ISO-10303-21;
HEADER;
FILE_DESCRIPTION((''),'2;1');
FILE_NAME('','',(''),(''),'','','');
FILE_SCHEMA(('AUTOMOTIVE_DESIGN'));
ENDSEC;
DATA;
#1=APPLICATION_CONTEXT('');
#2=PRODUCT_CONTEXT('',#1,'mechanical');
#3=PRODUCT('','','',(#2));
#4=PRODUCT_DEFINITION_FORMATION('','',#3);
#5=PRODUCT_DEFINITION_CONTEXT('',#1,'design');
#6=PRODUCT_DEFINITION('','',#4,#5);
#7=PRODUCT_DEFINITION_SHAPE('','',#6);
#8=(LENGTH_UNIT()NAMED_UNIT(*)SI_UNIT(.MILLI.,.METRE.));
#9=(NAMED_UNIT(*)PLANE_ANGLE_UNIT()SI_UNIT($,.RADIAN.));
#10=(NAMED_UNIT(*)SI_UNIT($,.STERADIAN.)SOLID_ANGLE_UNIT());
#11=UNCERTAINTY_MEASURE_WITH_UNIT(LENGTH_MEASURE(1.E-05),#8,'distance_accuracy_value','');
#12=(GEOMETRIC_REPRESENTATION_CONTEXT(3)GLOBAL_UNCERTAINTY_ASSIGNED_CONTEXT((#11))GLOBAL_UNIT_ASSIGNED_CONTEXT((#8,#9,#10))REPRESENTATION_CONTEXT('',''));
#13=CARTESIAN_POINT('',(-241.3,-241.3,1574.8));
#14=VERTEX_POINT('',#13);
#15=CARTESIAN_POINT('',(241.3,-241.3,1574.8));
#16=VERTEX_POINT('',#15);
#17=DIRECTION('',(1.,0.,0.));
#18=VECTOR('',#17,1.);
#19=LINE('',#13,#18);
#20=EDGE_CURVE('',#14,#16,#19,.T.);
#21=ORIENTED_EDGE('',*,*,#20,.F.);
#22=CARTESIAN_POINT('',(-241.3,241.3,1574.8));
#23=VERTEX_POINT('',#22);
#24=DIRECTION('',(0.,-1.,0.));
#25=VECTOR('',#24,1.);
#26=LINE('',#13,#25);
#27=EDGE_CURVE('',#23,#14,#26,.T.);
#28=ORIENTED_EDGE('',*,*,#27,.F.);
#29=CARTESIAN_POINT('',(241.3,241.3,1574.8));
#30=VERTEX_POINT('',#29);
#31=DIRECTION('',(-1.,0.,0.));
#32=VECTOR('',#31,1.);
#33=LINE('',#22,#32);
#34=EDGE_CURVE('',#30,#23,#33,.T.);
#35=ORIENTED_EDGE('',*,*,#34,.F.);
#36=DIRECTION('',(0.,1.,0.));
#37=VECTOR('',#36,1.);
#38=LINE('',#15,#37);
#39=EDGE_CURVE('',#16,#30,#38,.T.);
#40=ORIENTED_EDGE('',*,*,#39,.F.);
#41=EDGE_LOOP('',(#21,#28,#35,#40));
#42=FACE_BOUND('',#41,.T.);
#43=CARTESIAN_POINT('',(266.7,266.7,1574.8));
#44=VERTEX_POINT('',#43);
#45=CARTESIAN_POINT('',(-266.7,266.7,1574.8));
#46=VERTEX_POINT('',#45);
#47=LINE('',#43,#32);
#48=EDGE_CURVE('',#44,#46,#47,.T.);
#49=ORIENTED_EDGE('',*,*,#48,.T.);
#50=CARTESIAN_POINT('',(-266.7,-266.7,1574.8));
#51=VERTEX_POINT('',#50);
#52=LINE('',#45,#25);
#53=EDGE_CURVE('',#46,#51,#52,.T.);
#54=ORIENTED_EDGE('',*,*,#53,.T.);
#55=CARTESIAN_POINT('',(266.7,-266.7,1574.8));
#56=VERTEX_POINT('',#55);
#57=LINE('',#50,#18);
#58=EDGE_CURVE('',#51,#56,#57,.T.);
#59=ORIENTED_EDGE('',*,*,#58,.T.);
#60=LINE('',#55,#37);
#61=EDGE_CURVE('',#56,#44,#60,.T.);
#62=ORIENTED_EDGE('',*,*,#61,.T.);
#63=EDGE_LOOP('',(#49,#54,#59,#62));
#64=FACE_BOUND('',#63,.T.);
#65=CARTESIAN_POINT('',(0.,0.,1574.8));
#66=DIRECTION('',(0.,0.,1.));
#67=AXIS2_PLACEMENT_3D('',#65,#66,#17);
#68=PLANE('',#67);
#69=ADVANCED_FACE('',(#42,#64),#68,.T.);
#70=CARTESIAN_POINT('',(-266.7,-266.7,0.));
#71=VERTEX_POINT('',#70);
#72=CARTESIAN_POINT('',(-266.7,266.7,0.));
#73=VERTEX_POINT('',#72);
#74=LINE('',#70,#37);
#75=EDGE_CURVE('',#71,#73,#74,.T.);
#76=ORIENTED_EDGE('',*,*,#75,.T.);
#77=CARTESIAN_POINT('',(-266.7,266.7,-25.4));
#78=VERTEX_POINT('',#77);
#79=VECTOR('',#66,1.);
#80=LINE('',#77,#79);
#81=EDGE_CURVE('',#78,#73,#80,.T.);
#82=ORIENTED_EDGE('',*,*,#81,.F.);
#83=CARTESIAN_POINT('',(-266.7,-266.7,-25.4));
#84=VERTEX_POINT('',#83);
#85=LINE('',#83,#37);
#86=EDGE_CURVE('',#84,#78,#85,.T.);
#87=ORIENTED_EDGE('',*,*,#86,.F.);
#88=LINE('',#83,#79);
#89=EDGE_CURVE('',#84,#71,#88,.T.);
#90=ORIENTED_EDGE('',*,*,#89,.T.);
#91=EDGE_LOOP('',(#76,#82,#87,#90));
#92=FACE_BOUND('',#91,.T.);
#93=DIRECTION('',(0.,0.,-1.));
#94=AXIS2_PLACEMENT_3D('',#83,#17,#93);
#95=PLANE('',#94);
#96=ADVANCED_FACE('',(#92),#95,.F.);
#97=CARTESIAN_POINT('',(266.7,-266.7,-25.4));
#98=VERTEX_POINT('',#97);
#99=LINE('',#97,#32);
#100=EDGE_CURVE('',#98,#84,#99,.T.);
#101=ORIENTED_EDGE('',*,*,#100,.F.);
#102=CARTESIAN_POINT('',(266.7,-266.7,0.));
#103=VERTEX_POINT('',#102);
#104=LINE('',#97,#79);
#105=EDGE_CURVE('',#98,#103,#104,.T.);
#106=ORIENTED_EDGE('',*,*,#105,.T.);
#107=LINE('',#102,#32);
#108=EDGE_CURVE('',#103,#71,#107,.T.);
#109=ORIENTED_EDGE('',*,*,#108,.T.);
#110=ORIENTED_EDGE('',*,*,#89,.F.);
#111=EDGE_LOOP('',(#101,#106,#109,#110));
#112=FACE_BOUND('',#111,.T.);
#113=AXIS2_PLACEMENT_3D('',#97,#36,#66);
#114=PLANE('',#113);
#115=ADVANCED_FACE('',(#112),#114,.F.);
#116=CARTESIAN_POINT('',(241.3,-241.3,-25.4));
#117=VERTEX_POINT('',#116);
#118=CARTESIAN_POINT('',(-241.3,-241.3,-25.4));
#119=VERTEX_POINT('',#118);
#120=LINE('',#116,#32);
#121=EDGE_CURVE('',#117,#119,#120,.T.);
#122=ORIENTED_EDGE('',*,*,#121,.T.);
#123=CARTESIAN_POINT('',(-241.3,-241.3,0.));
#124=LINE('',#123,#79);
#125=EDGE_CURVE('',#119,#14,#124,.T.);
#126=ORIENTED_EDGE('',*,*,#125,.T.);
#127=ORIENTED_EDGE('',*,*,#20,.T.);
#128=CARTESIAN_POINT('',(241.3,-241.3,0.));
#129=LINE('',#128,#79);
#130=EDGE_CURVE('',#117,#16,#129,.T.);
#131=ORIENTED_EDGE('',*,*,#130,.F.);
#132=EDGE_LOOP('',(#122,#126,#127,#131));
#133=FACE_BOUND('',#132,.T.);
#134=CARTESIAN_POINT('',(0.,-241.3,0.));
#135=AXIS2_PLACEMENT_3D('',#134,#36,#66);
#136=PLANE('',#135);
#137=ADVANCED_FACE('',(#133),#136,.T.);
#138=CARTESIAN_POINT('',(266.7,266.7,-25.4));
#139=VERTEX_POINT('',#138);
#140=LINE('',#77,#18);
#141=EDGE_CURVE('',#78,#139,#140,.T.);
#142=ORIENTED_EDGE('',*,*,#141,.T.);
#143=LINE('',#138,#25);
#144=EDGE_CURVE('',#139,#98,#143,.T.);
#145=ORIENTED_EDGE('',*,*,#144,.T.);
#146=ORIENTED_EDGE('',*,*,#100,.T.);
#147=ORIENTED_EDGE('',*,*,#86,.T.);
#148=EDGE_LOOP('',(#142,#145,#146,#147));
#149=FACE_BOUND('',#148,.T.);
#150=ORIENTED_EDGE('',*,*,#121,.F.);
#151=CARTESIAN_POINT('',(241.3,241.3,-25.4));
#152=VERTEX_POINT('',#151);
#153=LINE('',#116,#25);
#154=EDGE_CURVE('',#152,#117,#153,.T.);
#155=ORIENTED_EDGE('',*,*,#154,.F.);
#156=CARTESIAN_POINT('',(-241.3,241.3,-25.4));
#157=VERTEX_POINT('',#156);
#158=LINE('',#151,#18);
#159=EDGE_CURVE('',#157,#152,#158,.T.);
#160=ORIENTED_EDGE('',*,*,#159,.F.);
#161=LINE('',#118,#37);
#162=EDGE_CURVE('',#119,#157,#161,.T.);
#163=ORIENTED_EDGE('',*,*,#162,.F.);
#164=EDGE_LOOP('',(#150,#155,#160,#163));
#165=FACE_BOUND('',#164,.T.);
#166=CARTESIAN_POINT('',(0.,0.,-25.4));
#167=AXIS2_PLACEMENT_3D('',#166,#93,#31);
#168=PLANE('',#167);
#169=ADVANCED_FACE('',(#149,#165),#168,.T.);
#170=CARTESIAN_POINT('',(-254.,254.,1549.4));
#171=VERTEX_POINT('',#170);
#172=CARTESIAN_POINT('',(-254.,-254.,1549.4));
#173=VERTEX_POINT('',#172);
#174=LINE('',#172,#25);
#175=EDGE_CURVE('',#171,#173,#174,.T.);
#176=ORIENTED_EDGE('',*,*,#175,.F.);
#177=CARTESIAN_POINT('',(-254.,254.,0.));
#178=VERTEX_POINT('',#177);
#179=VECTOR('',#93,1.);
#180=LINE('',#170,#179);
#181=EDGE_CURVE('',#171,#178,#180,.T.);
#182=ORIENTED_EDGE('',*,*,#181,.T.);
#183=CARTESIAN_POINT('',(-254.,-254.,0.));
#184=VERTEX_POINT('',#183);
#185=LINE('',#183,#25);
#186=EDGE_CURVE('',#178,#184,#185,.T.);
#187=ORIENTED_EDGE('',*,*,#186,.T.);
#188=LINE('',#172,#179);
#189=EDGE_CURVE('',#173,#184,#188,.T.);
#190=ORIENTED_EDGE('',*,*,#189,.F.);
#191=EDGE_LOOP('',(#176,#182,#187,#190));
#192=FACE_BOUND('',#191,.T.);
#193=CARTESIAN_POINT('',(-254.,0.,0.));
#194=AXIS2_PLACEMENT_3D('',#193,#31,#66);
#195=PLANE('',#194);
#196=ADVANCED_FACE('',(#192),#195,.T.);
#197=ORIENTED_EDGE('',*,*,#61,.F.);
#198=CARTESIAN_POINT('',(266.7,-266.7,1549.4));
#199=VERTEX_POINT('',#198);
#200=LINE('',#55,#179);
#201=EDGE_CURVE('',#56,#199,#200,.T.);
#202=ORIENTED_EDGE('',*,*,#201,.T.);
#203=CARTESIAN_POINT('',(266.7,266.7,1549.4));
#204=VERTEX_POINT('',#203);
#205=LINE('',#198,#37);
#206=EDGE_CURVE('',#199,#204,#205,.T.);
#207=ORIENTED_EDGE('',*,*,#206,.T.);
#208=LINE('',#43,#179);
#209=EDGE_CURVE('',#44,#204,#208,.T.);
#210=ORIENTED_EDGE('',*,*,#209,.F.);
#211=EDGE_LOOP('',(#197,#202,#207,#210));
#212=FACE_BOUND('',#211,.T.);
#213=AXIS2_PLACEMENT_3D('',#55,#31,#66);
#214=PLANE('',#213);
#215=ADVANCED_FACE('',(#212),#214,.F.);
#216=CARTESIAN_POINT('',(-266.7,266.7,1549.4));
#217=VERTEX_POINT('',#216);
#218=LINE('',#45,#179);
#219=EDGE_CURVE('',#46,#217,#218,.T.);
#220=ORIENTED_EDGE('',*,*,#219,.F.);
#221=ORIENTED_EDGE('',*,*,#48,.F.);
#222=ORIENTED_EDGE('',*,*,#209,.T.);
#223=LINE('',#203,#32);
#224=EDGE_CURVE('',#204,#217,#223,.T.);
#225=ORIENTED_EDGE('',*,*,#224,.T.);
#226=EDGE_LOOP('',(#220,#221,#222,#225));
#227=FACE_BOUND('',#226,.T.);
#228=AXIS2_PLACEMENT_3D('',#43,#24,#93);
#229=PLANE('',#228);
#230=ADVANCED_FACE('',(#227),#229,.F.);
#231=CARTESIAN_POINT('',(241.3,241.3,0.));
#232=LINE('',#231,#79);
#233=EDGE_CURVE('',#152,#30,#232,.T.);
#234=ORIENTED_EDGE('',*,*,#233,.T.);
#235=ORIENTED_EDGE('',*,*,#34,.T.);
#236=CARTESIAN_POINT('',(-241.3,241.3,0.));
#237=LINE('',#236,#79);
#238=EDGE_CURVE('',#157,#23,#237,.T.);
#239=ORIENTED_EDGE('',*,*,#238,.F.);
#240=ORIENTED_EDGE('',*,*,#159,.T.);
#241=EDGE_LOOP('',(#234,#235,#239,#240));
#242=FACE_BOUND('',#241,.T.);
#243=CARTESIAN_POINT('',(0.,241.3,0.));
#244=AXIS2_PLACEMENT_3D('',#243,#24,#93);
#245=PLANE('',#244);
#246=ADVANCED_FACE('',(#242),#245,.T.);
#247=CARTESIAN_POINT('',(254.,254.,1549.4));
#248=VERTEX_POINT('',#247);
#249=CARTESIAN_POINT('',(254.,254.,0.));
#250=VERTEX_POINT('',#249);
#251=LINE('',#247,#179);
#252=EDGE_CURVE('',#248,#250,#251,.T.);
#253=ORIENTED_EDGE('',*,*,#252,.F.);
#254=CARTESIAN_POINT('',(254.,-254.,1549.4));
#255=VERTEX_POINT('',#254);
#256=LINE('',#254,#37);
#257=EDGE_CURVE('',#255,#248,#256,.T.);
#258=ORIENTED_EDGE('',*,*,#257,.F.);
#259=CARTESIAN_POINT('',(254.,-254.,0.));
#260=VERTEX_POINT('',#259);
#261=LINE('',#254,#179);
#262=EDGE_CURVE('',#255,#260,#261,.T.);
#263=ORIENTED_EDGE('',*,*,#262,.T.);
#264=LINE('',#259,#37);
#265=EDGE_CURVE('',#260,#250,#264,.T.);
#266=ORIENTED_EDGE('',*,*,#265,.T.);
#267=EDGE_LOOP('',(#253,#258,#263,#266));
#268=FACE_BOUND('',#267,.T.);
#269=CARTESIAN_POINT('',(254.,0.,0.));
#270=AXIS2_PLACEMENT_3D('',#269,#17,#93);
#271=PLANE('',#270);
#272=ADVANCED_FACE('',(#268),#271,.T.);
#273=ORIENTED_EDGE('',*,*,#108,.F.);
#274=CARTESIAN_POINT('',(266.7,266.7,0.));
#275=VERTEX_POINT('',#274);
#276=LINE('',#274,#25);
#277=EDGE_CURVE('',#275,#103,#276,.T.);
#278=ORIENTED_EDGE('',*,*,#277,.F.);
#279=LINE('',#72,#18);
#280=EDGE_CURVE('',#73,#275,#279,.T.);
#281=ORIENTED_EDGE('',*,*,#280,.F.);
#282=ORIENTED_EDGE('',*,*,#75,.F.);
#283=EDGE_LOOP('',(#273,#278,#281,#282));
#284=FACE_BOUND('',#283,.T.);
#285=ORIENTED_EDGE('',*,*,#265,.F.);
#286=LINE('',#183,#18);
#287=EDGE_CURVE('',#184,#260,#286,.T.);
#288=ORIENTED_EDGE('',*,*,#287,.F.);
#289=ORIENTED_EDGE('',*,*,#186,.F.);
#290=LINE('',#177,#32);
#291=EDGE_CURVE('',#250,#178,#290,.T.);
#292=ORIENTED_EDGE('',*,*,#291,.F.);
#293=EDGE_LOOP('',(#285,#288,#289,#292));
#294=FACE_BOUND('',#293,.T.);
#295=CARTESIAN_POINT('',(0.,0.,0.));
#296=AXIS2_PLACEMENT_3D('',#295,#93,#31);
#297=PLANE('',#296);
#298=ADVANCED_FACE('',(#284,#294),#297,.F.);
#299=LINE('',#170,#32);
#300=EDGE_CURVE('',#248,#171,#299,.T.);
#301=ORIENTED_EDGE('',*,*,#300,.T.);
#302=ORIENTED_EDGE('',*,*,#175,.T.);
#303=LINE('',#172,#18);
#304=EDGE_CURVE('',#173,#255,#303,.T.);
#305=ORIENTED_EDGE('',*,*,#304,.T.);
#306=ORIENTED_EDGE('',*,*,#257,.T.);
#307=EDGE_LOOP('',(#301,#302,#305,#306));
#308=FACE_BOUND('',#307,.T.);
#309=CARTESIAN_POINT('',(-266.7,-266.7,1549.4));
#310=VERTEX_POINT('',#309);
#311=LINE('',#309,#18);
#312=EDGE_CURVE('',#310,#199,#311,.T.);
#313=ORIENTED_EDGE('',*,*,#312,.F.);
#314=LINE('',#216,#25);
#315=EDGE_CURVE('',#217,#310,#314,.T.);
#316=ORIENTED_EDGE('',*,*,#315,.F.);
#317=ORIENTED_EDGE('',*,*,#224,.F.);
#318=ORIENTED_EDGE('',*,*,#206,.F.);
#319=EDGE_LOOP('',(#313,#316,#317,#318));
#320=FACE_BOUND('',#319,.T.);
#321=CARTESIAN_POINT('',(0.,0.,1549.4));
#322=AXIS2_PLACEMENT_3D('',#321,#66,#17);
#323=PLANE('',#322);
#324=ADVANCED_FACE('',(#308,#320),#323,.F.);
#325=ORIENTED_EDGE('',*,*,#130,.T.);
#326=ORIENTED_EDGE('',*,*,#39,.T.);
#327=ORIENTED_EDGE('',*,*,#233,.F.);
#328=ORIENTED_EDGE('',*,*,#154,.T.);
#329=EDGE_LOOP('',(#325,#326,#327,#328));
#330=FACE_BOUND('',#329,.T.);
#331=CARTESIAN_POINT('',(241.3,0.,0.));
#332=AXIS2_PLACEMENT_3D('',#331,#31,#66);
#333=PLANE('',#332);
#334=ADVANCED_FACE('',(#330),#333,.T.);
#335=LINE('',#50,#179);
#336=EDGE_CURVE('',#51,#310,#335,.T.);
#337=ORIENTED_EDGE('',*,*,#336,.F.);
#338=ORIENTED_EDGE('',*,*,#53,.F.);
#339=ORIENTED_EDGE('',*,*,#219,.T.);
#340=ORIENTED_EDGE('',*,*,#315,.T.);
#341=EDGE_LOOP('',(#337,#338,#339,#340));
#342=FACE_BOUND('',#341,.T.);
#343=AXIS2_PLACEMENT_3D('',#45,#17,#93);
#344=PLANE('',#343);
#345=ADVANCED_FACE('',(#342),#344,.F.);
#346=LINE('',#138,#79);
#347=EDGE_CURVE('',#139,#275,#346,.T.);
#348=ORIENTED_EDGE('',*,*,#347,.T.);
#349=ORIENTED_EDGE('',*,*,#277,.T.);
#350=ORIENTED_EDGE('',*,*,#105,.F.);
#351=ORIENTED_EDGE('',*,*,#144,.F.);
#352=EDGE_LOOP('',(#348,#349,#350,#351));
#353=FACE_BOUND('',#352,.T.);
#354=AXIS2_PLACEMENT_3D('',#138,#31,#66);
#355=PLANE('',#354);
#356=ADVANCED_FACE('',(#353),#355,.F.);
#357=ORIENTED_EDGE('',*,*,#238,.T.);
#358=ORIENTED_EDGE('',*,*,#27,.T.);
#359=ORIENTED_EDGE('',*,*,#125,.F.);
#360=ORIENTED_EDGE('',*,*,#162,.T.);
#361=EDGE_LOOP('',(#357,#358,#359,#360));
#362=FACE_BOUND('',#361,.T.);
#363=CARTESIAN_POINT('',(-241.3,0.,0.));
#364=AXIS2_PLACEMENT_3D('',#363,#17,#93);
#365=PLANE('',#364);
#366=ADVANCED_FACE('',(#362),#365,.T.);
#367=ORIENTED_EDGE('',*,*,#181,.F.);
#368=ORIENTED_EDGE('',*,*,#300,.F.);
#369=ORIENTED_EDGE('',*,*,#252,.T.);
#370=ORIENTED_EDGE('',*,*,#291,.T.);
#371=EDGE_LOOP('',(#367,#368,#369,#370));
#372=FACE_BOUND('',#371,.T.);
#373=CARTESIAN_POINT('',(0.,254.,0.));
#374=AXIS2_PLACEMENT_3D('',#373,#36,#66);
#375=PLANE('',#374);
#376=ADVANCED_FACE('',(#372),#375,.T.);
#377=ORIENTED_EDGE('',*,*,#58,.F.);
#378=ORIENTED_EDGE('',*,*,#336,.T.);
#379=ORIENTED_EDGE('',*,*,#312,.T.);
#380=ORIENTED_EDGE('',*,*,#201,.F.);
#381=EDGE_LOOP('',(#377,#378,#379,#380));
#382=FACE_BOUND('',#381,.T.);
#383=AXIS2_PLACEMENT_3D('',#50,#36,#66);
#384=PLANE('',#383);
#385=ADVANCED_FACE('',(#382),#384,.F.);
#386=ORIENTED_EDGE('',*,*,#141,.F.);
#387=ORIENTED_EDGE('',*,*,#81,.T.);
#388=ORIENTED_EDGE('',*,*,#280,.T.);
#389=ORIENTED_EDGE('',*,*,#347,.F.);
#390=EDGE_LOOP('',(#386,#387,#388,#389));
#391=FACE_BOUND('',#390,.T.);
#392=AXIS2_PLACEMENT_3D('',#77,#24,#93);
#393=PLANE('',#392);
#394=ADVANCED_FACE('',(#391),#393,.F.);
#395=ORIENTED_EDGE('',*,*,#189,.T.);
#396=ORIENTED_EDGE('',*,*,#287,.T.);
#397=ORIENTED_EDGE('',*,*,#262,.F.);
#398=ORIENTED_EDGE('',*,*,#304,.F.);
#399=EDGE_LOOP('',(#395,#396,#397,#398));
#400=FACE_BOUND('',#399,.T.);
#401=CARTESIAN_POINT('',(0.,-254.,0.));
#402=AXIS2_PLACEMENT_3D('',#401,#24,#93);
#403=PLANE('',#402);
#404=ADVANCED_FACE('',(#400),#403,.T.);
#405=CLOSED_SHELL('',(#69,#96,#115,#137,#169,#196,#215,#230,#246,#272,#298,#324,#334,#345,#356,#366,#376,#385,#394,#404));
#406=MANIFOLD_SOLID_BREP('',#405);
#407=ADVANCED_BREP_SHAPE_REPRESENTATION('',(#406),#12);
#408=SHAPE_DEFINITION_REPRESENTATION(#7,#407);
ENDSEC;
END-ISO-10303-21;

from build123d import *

# Parameters (mm, degrees)
SKETCH5_W           = 533.4
SKETCH5_H           = 533.4
SKETCH5_W_2         = 482.6
SKETCH5_H_2         = 482.6
BOSS_EXTRUDE1_DEPTH = 25.4
SKETCH6_W           = 533.4
SKETCH6_H           = 533.4
SKETCH6_W_2         = 482.6
SKETCH6_H_2         = 482.6
BOSS_EXTRUDE2_DEPTH = 25.4


with BuildPart() as part:
    # Sketch2 → Loft1 section 0
    with BuildSketch(Plane.XY.offset(1549.4)):
        with BuildLine():
            Line((-254, -254), (254, -254))
            Line((254, -254), (254, 254))
            Line((254, 254), (-254, 254))
            Line((-254, 254), (-254, -254))
        make_face()
    # Sketch1 → Loft1 section 1
    with BuildSketch(Plane.XY):
        with BuildLine():
            Line((-254, -254), (254, -254))
            Line((254, -254), (254, 254))
            Line((254, 254), (-254, 254))
            Line((-254, 254), (-254, -254))
        make_face()
    loft()

    # Sketch4 → Cut-Loft1 section 0
    with BuildSketch(Plane(origin=(0, 0, 0), x_dir=(-1, 0, 0), z_dir=(0, 0, -1))):
        with BuildLine():
            Line((-241.3, -241.3), (241.3, -241.3))
            Line((241.3, -241.3), (241.3, 241.3))
            Line((241.3, 241.3), (-241.3, 241.3))
            Line((-241.3, 241.3), (-241.3, -241.3))
        make_face()
    # Sketch3 → Cut-Loft1 section 1
    with BuildSketch(Plane.XY.offset(1549.4)):
        with BuildLine():
            Line((241.3, -241.3), (241.3, 241.3))
            Line((241.3, 241.3), (-241.3, 241.3))
            Line((-241.3, 241.3), (-241.3, -241.3))
            Line((-241.3, -241.3), (241.3, -241.3))
        make_face()
    loft(mode=Mode.SUBTRACT)

    # Sketch5 → Boss-Extrude1 (add)
    with BuildSketch(Plane(origin=(0, 0, 0), x_dir=(-1, 0, 0), z_dir=(0, 0, -1))):
        Rectangle(SKETCH5_W, SKETCH5_H)
        Rectangle(SKETCH5_W_2, SKETCH5_H_2, mode=Mode.SUBTRACT)
    extrude(amount=BOSS_EXTRUDE1_DEPTH)

    # Sketch6 → Boss-Extrude2 (add)
    with BuildSketch(Plane.XY.offset(1549.4)):
        Rectangle(SKETCH6_W, SKETCH6_H)
        Rectangle(SKETCH6_W_2, SKETCH6_H_2, mode=Mode.SUBTRACT)
    extrude(amount=BOSS_EXTRUDE2_DEPTH)


solid = part.part
